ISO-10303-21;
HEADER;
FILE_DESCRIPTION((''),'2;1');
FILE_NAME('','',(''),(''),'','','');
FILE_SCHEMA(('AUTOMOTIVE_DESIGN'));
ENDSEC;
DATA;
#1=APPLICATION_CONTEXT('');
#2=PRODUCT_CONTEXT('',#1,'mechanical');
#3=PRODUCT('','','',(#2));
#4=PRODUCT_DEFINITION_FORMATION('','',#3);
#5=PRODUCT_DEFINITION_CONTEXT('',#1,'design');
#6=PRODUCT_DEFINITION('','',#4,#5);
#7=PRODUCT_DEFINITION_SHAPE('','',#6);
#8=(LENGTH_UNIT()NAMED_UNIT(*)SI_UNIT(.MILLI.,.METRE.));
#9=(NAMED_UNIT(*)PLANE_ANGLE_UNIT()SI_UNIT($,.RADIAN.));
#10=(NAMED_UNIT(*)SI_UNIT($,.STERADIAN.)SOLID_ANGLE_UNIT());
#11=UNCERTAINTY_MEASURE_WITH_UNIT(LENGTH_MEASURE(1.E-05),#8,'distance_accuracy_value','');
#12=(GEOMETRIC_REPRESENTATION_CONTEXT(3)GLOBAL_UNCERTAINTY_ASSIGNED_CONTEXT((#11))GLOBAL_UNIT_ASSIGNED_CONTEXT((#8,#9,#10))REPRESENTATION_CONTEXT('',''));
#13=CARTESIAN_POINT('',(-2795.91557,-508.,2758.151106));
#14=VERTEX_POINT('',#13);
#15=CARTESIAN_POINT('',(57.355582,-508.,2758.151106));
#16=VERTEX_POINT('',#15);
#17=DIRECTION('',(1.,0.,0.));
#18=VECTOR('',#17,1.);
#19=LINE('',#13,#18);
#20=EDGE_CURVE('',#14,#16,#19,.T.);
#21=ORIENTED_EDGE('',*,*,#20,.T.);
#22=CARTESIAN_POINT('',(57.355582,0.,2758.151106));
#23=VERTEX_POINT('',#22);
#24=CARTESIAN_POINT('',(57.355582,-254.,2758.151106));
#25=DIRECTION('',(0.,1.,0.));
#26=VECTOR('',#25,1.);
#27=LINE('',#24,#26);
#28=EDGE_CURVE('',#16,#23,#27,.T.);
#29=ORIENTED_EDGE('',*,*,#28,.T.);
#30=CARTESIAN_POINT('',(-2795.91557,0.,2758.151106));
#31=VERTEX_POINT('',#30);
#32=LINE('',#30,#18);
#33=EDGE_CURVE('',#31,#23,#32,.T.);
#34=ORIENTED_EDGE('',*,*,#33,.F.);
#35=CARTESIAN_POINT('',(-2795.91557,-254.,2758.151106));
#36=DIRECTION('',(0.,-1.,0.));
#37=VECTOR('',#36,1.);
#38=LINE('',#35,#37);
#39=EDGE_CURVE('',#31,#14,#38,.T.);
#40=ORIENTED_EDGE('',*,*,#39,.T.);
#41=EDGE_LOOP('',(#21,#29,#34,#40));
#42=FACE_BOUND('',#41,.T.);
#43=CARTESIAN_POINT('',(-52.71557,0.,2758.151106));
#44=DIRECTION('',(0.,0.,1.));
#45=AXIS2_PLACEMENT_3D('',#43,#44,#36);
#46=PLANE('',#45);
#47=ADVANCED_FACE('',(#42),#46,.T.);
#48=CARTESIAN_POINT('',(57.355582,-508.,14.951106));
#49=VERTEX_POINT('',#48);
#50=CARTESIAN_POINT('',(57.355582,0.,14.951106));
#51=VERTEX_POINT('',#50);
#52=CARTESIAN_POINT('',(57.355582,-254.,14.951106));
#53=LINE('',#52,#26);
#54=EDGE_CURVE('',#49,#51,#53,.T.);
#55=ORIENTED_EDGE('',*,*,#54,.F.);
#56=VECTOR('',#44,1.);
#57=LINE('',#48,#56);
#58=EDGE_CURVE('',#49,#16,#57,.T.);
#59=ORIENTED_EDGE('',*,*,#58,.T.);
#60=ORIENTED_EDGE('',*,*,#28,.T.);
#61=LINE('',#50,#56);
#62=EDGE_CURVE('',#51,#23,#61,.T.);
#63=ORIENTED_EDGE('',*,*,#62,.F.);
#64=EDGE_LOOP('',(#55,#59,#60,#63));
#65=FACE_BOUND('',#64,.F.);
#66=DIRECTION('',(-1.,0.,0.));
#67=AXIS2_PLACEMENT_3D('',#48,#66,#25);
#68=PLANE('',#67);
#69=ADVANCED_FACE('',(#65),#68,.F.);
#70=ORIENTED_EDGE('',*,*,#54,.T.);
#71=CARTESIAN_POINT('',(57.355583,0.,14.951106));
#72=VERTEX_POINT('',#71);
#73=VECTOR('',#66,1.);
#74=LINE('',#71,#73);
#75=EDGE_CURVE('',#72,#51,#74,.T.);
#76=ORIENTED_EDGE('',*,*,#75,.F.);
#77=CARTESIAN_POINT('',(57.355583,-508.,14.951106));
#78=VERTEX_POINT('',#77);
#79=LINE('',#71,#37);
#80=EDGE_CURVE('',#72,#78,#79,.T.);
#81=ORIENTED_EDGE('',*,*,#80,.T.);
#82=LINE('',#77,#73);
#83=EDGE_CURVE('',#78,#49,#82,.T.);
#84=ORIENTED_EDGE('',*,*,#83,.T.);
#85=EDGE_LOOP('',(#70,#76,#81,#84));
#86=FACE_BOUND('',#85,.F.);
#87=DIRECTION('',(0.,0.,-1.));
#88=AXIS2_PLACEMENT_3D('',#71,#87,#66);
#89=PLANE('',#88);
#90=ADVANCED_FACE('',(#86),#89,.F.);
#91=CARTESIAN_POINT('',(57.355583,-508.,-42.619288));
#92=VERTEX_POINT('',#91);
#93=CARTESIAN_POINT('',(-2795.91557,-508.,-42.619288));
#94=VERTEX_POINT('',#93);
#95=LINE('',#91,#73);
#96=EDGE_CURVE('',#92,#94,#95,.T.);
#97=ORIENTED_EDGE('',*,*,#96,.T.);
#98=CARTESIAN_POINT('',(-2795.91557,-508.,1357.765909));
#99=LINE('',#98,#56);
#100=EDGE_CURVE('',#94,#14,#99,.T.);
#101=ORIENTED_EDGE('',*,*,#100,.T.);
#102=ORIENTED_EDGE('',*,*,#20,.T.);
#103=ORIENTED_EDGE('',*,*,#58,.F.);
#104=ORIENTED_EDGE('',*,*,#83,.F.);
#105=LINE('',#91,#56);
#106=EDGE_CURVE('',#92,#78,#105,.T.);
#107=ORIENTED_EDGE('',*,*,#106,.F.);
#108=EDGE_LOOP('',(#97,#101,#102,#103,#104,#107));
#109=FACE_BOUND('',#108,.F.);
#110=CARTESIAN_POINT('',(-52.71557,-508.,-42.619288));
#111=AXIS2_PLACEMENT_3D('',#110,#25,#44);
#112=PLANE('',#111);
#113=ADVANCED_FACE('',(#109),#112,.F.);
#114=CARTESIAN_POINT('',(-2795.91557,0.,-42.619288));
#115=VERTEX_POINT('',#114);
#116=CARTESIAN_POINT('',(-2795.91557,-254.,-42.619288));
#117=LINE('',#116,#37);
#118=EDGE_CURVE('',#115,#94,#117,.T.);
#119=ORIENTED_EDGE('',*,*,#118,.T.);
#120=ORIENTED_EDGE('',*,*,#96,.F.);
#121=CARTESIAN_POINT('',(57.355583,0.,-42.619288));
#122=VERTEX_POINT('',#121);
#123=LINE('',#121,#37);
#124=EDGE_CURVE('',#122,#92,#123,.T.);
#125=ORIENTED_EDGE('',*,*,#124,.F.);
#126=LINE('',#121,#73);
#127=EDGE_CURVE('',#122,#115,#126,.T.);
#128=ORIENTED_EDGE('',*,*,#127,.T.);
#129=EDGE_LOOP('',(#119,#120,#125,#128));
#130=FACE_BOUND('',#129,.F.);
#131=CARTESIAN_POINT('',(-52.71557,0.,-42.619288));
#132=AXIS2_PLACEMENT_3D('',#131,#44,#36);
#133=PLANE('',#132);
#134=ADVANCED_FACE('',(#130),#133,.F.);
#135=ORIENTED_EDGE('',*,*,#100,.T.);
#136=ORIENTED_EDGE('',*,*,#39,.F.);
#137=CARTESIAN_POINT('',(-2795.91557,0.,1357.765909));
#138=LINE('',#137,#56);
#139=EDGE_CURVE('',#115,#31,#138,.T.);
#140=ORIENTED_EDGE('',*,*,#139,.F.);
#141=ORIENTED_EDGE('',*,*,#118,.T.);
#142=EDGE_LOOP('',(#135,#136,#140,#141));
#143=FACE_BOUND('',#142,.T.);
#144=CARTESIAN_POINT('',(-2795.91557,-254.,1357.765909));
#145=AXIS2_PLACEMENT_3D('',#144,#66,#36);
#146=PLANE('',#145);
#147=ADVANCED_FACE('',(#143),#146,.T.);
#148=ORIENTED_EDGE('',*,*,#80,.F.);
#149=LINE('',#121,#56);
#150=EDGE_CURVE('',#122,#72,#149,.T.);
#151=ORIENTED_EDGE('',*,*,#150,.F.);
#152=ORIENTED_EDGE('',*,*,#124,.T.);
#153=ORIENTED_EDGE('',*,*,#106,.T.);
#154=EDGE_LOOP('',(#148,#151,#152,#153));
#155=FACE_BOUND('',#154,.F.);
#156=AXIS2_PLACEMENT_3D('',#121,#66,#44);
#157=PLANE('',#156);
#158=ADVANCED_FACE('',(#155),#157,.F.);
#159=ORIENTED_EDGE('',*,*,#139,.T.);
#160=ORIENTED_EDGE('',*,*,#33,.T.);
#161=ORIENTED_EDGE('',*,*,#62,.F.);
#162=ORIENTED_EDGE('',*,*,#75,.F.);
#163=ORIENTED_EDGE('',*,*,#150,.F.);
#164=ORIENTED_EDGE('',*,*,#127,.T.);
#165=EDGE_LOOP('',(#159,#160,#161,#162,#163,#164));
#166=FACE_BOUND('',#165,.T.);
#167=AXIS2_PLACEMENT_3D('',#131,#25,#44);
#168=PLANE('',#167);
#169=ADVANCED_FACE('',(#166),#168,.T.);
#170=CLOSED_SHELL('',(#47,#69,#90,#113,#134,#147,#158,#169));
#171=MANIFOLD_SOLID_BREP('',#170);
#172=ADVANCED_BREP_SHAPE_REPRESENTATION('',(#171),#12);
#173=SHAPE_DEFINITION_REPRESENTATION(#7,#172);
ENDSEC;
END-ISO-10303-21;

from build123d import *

# Parameters (mm, degrees)
F1_DEPTH      = 508
F1_FACE_W     = 110.071152
F1_FACE_H     = 508
F2_DEPTH      = 2743.2
F2_DEPTH_BACK = 25.4
F2_FACE_W     = 508
F2_FACE_H     = 2800.770394
F3_DEPTH      = 2743.2


with BuildPart() as f1:
    # F0 (on Front) → F1 (new body)
    with BuildSketch(Plane.XZ):
        Polygon((-52.71557, 14.951106), (-52.71557, -42.619288), (-47.366679, -42.619288), (57.355583, -42.619288), (57.355583, 14.951106), align=None)
    extrude(amount=F1_DEPTH)

    # F1_face (on face) → F2 (join, two sides)
    with BuildSketch(Plane(origin=(2.320006, -254, 14.951106), x_dir=(1, 0, 0), z_dir=(0, 0, 1))) as f2_sk:
        Rectangle(F1_FACE_W, F1_FACE_H)
    extrude(amount=F2_DEPTH)
    extrude(f2_sk.sketch, amount=-F2_DEPTH_BACK)

    # F2_face (on face) → F3 (join)
    with BuildSketch(Plane(origin=(-52.71557, -254, 1357.765909), x_dir=(0, -1, 0), z_dir=(-1, 0, 0))):
        Rectangle(F2_FACE_W, F2_FACE_H)
    extrude(amount=F3_DEPTH)


solid = f1.part
